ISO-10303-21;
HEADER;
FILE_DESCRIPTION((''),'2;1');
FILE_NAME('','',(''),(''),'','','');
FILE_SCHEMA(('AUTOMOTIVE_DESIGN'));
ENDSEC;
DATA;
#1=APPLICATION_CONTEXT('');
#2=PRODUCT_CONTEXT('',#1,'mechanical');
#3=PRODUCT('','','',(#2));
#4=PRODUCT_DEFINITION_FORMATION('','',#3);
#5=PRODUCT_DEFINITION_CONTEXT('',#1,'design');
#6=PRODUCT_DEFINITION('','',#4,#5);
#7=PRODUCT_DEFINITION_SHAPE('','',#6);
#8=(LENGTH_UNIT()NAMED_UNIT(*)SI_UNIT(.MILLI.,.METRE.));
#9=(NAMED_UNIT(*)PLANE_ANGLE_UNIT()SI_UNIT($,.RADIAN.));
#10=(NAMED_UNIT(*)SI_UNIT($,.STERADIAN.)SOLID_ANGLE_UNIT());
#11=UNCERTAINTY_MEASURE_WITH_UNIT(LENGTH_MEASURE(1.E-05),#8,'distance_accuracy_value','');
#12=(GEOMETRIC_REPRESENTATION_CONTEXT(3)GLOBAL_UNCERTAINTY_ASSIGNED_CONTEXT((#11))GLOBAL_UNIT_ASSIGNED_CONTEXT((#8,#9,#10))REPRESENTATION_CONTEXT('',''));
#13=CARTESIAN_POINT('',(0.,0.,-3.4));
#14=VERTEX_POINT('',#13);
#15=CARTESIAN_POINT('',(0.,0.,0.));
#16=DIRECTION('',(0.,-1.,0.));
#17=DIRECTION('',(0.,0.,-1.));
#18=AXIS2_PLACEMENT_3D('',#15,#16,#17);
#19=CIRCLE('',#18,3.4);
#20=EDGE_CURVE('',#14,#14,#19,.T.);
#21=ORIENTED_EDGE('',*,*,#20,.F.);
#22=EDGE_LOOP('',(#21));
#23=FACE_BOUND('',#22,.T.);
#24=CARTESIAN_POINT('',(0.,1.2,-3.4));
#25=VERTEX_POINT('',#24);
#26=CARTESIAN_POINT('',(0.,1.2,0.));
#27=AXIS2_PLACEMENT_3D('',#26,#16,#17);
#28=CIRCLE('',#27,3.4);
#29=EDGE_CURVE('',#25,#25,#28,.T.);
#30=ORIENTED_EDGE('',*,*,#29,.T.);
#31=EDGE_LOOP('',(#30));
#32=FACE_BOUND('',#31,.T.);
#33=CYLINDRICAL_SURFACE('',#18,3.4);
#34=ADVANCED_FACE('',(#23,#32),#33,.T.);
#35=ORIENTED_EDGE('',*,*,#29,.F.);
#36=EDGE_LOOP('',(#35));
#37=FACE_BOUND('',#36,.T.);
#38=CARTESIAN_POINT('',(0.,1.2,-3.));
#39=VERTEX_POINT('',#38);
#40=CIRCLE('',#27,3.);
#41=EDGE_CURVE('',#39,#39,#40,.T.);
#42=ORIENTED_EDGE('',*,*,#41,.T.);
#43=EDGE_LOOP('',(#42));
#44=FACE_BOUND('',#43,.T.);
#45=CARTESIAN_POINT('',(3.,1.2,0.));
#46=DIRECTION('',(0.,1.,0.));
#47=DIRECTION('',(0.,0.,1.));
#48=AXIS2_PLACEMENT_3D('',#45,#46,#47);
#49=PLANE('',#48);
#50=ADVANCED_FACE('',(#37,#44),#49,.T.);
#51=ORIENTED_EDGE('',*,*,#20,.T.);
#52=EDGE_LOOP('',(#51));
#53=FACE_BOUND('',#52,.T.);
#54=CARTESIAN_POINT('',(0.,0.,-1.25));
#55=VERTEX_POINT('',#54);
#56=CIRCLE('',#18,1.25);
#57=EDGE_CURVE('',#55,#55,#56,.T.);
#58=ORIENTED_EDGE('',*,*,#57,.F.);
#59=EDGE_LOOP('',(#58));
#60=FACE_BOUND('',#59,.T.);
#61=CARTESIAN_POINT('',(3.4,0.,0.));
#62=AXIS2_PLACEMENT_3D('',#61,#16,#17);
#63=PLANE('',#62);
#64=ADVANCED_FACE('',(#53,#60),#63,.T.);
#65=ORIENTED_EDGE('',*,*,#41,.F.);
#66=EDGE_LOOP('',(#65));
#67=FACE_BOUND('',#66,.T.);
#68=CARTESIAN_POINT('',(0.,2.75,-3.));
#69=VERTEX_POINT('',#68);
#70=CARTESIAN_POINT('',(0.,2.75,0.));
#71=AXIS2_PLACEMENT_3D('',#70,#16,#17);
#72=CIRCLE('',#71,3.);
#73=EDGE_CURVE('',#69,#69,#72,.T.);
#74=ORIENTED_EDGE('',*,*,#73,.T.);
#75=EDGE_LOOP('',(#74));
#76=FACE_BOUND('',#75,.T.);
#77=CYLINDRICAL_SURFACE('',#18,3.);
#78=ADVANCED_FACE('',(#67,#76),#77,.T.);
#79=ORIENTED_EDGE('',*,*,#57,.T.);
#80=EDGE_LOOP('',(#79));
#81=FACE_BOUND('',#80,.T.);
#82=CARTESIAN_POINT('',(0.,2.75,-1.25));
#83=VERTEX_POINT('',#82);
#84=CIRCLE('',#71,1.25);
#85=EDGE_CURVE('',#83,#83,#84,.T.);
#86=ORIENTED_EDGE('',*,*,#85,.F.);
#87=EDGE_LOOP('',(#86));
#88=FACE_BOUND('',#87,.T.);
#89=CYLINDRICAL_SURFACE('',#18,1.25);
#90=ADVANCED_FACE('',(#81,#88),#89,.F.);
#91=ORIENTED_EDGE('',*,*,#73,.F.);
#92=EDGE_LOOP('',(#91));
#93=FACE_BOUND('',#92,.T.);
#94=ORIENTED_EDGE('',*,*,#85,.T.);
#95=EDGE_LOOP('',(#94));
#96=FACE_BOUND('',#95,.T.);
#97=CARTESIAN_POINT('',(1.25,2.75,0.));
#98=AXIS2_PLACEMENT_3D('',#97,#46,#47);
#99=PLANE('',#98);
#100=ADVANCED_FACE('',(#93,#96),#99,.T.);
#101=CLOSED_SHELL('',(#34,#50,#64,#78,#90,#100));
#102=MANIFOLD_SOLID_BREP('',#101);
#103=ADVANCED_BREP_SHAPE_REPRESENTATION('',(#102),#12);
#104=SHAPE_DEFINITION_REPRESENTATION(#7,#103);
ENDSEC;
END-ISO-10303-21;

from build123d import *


with BuildPart() as part:
    # ｽｹｯﾁ1 → 回転1 (revolve)
    with BuildSketch(Plane.XY, mode=Mode.PRIVATE) as revolve_1_sk:
        Polygon((1.25, 0), (1.25, 2.75), (3, 2.75), (3, 1.2), (3.4, 1.2), (3.4, 0), align=None)
    revolve(revolve_1_sk.sketch.rotate(Axis((0, 0, 0), (0, 1, 0)), 90), axis=Axis((0, 0, 0), (0, 1, 0)))


solid = part.part
